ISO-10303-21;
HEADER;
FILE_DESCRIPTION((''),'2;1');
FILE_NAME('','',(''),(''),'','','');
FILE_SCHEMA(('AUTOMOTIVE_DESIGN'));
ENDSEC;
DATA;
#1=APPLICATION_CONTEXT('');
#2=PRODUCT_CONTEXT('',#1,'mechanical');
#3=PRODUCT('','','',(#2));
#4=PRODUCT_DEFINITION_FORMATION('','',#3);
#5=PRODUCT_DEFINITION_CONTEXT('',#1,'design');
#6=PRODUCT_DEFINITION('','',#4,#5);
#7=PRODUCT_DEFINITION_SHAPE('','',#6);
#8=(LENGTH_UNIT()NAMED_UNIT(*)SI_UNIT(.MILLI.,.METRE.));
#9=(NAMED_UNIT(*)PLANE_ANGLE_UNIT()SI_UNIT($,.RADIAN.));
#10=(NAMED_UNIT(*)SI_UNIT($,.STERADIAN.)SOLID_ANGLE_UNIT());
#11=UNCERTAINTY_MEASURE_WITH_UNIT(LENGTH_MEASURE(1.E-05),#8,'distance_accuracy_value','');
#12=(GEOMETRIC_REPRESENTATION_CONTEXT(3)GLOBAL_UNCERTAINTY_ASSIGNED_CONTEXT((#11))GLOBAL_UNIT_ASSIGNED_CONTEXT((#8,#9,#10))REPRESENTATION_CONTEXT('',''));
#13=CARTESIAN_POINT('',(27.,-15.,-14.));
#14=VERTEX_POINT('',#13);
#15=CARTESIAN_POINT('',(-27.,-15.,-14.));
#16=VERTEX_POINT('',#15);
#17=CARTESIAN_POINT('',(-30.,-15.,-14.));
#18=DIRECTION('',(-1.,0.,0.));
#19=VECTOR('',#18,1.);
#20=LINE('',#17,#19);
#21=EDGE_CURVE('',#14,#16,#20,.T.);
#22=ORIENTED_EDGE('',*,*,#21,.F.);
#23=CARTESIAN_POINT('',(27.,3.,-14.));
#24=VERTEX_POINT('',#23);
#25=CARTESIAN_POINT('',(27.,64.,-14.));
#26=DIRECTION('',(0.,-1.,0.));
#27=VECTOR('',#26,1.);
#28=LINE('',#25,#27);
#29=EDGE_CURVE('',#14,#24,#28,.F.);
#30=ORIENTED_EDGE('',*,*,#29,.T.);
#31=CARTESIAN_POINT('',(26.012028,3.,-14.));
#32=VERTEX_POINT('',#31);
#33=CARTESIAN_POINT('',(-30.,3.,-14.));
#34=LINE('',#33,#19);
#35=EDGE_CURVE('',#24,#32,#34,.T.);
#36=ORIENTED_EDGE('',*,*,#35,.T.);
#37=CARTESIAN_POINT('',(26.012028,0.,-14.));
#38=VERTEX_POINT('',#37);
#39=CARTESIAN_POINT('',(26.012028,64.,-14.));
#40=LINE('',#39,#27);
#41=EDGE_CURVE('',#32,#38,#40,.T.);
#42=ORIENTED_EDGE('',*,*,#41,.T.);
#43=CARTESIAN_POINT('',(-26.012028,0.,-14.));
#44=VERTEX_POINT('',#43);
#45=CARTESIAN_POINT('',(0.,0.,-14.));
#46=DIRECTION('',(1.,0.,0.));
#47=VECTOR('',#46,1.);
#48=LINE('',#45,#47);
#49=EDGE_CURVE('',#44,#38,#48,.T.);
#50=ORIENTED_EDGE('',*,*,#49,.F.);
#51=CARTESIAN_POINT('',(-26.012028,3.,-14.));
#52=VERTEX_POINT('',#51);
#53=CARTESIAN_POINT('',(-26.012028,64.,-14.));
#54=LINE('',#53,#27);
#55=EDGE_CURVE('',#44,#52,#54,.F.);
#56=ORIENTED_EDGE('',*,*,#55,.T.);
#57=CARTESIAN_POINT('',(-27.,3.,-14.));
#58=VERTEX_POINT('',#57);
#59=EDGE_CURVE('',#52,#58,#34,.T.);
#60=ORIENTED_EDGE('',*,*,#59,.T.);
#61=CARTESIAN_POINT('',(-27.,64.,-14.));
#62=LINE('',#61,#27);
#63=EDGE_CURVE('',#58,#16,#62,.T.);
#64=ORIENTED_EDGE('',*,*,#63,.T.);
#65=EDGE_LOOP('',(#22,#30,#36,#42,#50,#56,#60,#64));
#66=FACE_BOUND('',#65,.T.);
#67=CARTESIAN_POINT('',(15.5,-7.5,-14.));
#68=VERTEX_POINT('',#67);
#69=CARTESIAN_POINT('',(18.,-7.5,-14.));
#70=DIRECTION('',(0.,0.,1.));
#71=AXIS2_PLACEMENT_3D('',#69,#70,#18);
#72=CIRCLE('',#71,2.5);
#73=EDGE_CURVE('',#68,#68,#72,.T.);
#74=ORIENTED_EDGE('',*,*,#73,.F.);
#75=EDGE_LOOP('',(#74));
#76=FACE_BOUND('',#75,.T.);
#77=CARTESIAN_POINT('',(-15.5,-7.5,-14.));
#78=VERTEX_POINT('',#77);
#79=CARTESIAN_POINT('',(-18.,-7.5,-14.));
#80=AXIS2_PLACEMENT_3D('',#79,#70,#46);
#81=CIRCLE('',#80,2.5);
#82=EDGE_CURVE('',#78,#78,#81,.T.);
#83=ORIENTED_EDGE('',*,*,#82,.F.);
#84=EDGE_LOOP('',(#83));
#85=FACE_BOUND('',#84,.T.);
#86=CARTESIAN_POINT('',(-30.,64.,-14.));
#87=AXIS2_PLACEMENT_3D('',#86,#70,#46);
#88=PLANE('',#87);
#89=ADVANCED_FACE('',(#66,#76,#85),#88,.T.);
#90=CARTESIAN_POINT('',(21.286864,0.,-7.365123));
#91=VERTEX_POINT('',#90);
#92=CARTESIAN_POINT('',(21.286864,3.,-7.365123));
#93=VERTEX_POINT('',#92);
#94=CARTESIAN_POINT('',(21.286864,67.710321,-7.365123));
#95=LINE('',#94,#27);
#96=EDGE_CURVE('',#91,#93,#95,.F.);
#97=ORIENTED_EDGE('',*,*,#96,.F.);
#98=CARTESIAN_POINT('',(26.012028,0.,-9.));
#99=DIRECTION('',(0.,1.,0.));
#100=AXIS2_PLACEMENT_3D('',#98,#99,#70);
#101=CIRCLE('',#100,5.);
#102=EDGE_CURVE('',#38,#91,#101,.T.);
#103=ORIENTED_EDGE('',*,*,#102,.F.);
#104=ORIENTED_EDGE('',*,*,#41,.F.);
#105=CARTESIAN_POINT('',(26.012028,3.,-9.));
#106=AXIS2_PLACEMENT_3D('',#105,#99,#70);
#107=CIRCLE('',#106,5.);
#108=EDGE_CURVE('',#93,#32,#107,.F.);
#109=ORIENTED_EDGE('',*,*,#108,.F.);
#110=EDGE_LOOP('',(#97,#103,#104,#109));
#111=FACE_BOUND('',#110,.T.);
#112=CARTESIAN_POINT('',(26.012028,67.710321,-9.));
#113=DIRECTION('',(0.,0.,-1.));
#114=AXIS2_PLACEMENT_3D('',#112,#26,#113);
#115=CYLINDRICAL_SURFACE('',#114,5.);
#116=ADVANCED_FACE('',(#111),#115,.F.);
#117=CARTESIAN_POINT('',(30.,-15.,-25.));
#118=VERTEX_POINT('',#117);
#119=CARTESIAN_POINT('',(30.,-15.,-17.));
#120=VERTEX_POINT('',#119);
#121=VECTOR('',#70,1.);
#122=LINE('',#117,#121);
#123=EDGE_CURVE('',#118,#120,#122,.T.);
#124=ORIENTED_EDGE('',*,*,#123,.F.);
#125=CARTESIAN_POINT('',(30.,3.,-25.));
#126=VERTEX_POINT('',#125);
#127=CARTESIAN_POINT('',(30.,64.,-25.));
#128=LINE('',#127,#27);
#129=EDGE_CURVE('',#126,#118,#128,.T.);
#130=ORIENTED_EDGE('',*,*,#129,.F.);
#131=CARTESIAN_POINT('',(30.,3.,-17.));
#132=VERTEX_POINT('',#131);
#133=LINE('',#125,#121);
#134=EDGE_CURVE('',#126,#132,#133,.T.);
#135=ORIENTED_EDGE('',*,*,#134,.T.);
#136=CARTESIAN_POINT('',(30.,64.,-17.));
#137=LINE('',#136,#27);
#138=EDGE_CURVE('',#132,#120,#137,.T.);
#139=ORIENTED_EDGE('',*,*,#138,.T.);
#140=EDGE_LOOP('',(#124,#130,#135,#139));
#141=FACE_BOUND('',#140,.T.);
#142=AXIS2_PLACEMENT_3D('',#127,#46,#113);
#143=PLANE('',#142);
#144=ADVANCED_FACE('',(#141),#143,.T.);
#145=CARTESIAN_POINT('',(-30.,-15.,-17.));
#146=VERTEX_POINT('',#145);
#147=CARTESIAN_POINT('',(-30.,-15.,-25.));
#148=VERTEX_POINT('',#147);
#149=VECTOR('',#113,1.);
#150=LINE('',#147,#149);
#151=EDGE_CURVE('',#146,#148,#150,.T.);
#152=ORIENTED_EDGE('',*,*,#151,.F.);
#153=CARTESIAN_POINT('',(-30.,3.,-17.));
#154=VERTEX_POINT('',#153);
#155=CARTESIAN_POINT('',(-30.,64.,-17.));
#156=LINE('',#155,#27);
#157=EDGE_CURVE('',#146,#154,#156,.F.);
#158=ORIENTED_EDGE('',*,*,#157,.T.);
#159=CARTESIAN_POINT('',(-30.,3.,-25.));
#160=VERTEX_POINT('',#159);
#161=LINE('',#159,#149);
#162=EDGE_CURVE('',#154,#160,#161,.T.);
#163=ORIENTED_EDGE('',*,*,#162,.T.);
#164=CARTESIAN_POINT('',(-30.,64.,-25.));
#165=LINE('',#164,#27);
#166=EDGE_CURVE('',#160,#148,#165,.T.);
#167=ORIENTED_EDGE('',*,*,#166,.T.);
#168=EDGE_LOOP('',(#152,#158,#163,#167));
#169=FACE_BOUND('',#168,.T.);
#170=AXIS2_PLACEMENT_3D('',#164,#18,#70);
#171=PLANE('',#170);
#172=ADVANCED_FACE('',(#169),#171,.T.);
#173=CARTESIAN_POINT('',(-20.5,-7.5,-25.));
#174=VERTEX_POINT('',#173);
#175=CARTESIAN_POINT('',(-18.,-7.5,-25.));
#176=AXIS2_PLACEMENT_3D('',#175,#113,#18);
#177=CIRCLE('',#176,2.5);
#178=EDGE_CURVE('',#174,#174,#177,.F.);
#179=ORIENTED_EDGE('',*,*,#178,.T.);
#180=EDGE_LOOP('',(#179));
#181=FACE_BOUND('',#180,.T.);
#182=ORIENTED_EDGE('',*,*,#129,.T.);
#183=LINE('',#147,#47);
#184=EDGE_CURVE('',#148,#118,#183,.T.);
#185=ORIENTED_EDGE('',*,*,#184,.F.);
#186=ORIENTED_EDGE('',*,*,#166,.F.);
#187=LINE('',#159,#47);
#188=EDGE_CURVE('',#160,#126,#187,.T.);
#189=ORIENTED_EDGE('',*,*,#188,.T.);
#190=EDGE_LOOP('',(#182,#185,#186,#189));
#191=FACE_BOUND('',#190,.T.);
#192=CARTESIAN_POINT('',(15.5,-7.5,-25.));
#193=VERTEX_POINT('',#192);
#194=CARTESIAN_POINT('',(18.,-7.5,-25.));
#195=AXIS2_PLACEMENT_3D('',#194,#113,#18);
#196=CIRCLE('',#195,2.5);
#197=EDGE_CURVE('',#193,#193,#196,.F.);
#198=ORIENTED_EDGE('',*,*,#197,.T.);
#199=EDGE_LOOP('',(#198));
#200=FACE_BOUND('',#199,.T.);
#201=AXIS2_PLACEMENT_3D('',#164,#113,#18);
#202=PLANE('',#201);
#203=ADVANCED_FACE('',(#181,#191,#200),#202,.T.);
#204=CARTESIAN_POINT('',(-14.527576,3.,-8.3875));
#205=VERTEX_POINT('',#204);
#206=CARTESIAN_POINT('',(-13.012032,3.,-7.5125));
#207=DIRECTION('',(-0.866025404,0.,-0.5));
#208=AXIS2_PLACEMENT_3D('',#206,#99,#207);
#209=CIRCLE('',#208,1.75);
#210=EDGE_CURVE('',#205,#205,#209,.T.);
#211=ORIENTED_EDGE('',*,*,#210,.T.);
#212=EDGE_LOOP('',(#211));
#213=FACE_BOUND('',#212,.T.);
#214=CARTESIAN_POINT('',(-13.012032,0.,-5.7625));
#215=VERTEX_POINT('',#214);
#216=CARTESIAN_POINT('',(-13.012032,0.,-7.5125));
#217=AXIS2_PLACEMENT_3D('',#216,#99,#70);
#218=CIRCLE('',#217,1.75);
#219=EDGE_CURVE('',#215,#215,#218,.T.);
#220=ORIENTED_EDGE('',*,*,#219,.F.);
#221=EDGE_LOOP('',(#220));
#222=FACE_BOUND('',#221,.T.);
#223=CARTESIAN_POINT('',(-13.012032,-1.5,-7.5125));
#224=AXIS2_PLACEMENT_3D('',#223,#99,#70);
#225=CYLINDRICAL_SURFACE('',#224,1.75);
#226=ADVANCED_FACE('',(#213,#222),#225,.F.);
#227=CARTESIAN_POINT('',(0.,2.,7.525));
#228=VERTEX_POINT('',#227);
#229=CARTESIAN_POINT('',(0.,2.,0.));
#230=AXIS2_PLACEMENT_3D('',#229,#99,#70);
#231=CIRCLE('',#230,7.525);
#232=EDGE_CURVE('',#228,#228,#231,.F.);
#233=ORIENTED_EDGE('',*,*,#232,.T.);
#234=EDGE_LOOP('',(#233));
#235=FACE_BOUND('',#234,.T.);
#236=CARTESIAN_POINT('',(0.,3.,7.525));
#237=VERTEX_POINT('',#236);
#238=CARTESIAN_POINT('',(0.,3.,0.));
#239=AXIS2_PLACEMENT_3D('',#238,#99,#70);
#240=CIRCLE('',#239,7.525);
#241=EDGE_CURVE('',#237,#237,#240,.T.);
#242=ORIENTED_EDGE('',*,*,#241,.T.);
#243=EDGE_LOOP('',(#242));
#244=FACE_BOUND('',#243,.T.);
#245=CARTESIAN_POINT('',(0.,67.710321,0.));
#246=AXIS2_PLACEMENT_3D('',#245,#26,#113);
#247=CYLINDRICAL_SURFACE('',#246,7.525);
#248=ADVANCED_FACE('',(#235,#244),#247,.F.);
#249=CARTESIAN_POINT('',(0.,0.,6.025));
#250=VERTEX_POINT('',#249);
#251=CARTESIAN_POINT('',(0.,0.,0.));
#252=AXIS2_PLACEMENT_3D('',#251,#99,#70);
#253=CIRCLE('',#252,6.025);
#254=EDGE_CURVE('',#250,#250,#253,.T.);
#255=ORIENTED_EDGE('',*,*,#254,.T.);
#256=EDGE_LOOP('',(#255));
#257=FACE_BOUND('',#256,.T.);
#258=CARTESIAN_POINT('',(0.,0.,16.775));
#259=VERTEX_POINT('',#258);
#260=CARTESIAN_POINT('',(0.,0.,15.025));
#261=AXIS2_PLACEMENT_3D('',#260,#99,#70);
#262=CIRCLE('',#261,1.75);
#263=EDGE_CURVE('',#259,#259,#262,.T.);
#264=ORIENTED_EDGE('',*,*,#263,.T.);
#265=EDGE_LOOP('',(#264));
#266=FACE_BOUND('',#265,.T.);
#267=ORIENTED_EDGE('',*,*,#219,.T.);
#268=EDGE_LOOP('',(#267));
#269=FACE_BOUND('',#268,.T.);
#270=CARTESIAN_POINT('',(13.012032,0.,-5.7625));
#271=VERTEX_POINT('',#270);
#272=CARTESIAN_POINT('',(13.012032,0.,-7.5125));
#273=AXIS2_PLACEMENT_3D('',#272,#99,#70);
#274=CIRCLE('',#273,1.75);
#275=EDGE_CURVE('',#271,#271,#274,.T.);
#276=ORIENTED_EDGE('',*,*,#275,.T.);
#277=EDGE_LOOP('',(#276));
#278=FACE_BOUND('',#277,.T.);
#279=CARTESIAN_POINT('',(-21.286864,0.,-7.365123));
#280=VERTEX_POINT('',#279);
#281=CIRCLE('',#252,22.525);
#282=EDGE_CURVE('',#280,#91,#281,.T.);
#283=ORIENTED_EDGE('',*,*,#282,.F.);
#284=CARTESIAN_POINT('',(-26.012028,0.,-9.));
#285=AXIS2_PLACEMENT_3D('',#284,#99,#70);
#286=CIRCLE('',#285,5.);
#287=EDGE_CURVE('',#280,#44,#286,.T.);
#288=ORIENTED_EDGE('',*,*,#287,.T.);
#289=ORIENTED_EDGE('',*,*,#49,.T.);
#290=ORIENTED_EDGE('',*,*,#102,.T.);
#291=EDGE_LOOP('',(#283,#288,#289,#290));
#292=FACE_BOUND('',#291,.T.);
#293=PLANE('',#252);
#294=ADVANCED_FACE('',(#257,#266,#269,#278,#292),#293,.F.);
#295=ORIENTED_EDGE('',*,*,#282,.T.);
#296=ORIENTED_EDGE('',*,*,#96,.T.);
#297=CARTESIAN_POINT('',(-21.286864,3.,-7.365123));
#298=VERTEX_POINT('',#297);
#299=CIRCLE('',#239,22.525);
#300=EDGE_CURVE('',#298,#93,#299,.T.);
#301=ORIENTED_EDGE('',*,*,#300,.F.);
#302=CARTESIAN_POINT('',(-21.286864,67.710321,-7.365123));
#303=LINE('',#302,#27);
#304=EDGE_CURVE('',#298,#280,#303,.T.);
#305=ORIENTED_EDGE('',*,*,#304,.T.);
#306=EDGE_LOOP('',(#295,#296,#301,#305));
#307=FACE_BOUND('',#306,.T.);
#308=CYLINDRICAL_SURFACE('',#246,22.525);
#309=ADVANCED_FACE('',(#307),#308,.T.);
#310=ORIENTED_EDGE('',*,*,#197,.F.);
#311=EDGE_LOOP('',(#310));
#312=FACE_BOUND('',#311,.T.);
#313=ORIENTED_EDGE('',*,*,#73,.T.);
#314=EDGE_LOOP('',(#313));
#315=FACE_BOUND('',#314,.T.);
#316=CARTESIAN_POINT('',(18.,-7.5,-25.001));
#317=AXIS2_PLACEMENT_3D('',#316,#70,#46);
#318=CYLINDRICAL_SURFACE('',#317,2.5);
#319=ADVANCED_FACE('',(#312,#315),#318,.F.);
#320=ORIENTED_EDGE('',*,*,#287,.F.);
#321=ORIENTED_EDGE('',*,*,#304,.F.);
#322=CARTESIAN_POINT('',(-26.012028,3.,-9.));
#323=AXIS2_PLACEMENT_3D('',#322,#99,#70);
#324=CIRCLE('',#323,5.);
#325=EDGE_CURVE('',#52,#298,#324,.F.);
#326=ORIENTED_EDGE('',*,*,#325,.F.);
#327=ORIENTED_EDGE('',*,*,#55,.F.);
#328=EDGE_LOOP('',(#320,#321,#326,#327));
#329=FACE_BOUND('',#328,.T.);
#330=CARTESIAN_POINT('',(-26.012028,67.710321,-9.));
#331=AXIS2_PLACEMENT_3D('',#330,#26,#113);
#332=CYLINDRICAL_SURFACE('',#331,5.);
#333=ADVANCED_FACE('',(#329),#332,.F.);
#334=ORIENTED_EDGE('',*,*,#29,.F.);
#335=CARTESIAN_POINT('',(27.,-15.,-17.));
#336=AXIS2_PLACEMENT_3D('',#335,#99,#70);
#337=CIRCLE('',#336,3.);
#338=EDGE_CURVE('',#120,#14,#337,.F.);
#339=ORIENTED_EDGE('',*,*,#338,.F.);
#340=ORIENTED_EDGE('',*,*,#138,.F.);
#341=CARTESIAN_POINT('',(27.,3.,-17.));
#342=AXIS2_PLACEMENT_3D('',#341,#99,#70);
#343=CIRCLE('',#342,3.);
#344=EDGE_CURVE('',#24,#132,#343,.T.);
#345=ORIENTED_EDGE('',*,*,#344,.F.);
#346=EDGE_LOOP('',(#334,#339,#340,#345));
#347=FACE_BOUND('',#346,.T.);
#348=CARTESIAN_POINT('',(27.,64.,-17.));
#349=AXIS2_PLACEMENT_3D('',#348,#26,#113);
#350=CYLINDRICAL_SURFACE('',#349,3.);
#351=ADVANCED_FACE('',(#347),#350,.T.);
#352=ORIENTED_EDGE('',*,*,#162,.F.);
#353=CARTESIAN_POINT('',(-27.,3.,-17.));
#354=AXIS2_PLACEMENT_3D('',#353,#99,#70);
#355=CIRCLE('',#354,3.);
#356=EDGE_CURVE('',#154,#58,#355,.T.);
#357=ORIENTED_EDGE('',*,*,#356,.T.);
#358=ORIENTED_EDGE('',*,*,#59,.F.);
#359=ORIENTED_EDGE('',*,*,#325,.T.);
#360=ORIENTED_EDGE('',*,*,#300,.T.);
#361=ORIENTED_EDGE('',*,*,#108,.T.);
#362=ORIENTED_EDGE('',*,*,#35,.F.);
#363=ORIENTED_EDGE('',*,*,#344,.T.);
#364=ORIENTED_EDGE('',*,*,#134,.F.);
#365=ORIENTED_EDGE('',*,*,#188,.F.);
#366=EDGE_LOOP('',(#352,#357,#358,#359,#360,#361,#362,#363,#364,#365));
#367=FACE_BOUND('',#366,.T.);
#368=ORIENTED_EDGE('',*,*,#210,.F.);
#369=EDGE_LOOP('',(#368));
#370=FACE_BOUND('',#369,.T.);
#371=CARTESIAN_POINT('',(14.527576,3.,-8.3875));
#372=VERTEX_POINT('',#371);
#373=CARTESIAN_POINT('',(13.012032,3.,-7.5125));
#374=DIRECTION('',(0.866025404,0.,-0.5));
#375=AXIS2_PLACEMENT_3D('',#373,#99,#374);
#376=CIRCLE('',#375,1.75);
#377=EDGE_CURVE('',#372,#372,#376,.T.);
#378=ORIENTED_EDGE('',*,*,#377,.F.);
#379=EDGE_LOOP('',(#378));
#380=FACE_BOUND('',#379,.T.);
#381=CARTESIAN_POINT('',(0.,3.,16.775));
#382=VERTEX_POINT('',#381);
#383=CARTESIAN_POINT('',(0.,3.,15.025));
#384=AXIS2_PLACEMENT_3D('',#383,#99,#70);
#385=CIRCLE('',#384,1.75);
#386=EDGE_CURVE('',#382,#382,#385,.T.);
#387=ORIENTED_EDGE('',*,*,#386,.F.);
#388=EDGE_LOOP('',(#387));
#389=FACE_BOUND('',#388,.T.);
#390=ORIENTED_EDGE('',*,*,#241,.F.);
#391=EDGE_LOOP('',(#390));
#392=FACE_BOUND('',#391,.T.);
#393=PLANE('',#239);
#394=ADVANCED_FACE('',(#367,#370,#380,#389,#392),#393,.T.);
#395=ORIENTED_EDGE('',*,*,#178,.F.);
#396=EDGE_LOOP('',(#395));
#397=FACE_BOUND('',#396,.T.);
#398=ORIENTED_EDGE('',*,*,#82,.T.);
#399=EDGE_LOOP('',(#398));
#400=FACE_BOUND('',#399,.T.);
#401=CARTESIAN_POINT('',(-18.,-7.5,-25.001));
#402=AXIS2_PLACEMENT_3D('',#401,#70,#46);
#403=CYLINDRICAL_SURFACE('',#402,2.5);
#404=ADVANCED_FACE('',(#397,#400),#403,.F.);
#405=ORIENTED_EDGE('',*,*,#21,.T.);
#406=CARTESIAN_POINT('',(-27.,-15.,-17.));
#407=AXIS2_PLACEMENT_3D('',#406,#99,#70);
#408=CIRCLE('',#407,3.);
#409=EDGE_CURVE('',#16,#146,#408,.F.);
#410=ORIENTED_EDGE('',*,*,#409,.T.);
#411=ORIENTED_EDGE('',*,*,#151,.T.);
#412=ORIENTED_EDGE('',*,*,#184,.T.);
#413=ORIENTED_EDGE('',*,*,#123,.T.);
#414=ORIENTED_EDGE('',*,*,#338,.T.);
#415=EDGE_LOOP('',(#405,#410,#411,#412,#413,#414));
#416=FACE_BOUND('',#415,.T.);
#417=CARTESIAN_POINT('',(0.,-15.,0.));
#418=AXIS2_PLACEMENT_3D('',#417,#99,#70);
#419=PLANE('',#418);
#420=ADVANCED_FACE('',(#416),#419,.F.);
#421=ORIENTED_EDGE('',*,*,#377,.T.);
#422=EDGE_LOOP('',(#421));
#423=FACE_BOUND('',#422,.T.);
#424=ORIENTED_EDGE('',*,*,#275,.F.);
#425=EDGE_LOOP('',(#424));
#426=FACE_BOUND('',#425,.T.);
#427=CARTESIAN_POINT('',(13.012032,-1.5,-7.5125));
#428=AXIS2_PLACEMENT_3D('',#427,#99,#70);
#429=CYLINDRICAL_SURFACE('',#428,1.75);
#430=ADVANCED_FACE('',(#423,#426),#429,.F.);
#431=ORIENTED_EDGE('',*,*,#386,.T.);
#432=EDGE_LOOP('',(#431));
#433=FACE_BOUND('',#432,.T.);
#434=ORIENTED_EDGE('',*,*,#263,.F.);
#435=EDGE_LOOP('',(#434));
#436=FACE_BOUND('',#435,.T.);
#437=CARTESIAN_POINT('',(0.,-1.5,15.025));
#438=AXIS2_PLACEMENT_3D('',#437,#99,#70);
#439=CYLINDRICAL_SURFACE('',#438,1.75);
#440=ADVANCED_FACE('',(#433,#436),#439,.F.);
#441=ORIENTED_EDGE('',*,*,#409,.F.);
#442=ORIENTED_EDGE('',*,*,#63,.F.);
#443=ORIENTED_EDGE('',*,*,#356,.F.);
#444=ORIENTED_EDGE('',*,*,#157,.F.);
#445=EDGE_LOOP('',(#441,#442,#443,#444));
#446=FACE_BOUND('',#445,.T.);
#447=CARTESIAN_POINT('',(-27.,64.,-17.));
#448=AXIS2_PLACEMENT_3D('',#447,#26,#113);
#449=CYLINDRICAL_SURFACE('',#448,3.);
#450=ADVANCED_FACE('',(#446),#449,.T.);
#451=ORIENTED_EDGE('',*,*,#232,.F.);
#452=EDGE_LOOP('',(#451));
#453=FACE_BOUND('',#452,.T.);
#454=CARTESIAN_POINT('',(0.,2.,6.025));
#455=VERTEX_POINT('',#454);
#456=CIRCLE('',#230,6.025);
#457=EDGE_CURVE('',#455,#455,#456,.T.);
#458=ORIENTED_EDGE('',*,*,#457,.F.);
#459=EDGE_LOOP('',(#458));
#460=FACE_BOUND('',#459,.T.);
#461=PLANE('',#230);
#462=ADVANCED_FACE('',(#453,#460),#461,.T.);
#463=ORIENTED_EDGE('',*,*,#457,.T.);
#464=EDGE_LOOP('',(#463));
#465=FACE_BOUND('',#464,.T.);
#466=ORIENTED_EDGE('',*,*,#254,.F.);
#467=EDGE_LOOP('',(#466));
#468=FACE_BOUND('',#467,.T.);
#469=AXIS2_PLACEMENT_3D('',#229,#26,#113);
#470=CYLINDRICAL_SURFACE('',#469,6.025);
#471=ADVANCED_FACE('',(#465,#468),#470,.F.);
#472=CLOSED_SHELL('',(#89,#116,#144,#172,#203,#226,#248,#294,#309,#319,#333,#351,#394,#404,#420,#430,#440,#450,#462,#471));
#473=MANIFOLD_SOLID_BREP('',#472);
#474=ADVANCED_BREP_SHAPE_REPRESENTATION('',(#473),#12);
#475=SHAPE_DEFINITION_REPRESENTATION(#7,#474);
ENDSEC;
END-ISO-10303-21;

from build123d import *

# Parameters (mm, degrees)
SKETCH1_R                = 7.525
SKETCH1_R_2              = 6.025
BOSS_EXTRUDE1_DEPTH      = 2
SKETCH1_5_R              = 22.525
SKETCH1_5_R_2            = 7.525
BOSS_EXTRUDE3_DEPTH      = 3
SKETCH2_R                = 1.75
CUT_EXTRUDE1_DEPTH       = 4.5
CIRPATTERN1_COUNT        = 3
SKETCH9_W                = 60
SKETCH9_H                = 11
BOSS_EXTRUDE7_DEPTH      = 15
BOSS_EXTRUDE7_DEPTH_BACK = 3
CUT_EXTRUDE3_REACH       = 13
SKETCH10_R               = 2.5
FILLET4_R                = 3
FILLET5_R                = 5


with BuildPart() as part:
    # Sketch1 → Boss-Extrude1 (new body)
    with BuildSketch(Plane(origin=(0, 0, 0), x_dir=(1, 0, 0), z_dir=(0, 1, 0))):
        Circle(SKETCH1_R)
        Circle(SKETCH1_R_2, mode=Mode.SUBTRACT)
    extrude(amount=BOSS_EXTRUDE1_DEPTH)

    # Sketch1<5> → Boss-Extrude3 (add)
    with BuildSketch(Plane(origin=(0, 0, 0), x_dir=(1, 0, 0), z_dir=(0, 1, 0))):
        Circle(SKETCH1_5_R)
        Circle(SKETCH1_5_R_2, mode=Mode.SUBTRACT)
    extrude(amount=BOSS_EXTRUDE3_DEPTH)

    # Sketch2 → Cut-Extrude1 (cut)
    with BuildSketch(Plane(origin=(0, 3, 0), x_dir=(1, 0, 0), z_dir=(0, 1, 0))):
        with Locations((0, -15.025)):
            Circle(SKETCH2_R)
    cut_extrude1 = extrude(amount=-CUT_EXTRUDE1_DEPTH, mode=Mode.SUBTRACT)

    # CirPattern1: Cut-Extrude1 ×3 about axis
    cirpattern1_axis = Axis((0, 0, 0), (0, 1, 0))
    for i in range(1, CIRPATTERN1_COUNT):
        add(cut_extrude1.rotate(cirpattern1_axis, i * 360 / CIRPATTERN1_COUNT), mode=Mode.SUBTRACT)

    # Sketch9 → Boss-Extrude7 (add, two sides)
    with BuildSketch(Plane.XZ) as boss_extrude7_sk:
        with Locations((0, -19.5)):
            Rectangle(SKETCH9_W, SKETCH9_H)
    extrude(amount=BOSS_EXTRUDE7_DEPTH)
    extrude(boss_extrude7_sk.sketch, amount=-BOSS_EXTRUDE7_DEPTH_BACK)

    # Sketch10 → Cut-Extrude3 (cut, up to next)
    with BuildSketch(Plane.XY.offset(-14), mode=Mode.PRIVATE) as cut_extrude3_sk1:
        with Locations((-18, -7.5)):
            Circle(SKETCH10_R)
    cut_extrude3_tool1 = extrude(cut_extrude3_sk1.sketch, amount=-CUT_EXTRUDE3_REACH, mode=Mode.PRIVATE) & part.part
    add(cut_extrude3_tool1.solids().sort_by_distance((-18, -7.5, -14))[0], mode=Mode.SUBTRACT)
    # Sketch10 → Cut-Extrude3 (cut, up to next)
    with BuildSketch(Plane.XY.offset(-14), mode=Mode.PRIVATE) as cut_extrude3_sk2:
        with Locations((18, -7.5)):
            Circle(SKETCH10_R)
    cut_extrude3_tool2 = extrude(cut_extrude3_sk2.sketch, amount=-CUT_EXTRUDE3_REACH, mode=Mode.PRIVATE) & part.part
    add(cut_extrude3_tool2.solids().sort_by_distance((18, -7.5, -14))[0], mode=Mode.SUBTRACT)

    # Fillet4
    fillet4_edges = [part.edges().sort_by_distance(p)[0] for p in [
        (-30, -6, -14),
        (30, -6, -14),
    ]]
    fillet(fillet4_edges, radius=FILLET4_R)

    # Fillet5
    fillet5_edges = [part.edges().sort_by_distance(p)[0] for p in [
        (-17.645838745, 1.5, -14),
        (17.645838745, 1.5, -14),
    ]]
    fillet(fillet5_edges, radius=FILLET5_R)


solid = part.part
